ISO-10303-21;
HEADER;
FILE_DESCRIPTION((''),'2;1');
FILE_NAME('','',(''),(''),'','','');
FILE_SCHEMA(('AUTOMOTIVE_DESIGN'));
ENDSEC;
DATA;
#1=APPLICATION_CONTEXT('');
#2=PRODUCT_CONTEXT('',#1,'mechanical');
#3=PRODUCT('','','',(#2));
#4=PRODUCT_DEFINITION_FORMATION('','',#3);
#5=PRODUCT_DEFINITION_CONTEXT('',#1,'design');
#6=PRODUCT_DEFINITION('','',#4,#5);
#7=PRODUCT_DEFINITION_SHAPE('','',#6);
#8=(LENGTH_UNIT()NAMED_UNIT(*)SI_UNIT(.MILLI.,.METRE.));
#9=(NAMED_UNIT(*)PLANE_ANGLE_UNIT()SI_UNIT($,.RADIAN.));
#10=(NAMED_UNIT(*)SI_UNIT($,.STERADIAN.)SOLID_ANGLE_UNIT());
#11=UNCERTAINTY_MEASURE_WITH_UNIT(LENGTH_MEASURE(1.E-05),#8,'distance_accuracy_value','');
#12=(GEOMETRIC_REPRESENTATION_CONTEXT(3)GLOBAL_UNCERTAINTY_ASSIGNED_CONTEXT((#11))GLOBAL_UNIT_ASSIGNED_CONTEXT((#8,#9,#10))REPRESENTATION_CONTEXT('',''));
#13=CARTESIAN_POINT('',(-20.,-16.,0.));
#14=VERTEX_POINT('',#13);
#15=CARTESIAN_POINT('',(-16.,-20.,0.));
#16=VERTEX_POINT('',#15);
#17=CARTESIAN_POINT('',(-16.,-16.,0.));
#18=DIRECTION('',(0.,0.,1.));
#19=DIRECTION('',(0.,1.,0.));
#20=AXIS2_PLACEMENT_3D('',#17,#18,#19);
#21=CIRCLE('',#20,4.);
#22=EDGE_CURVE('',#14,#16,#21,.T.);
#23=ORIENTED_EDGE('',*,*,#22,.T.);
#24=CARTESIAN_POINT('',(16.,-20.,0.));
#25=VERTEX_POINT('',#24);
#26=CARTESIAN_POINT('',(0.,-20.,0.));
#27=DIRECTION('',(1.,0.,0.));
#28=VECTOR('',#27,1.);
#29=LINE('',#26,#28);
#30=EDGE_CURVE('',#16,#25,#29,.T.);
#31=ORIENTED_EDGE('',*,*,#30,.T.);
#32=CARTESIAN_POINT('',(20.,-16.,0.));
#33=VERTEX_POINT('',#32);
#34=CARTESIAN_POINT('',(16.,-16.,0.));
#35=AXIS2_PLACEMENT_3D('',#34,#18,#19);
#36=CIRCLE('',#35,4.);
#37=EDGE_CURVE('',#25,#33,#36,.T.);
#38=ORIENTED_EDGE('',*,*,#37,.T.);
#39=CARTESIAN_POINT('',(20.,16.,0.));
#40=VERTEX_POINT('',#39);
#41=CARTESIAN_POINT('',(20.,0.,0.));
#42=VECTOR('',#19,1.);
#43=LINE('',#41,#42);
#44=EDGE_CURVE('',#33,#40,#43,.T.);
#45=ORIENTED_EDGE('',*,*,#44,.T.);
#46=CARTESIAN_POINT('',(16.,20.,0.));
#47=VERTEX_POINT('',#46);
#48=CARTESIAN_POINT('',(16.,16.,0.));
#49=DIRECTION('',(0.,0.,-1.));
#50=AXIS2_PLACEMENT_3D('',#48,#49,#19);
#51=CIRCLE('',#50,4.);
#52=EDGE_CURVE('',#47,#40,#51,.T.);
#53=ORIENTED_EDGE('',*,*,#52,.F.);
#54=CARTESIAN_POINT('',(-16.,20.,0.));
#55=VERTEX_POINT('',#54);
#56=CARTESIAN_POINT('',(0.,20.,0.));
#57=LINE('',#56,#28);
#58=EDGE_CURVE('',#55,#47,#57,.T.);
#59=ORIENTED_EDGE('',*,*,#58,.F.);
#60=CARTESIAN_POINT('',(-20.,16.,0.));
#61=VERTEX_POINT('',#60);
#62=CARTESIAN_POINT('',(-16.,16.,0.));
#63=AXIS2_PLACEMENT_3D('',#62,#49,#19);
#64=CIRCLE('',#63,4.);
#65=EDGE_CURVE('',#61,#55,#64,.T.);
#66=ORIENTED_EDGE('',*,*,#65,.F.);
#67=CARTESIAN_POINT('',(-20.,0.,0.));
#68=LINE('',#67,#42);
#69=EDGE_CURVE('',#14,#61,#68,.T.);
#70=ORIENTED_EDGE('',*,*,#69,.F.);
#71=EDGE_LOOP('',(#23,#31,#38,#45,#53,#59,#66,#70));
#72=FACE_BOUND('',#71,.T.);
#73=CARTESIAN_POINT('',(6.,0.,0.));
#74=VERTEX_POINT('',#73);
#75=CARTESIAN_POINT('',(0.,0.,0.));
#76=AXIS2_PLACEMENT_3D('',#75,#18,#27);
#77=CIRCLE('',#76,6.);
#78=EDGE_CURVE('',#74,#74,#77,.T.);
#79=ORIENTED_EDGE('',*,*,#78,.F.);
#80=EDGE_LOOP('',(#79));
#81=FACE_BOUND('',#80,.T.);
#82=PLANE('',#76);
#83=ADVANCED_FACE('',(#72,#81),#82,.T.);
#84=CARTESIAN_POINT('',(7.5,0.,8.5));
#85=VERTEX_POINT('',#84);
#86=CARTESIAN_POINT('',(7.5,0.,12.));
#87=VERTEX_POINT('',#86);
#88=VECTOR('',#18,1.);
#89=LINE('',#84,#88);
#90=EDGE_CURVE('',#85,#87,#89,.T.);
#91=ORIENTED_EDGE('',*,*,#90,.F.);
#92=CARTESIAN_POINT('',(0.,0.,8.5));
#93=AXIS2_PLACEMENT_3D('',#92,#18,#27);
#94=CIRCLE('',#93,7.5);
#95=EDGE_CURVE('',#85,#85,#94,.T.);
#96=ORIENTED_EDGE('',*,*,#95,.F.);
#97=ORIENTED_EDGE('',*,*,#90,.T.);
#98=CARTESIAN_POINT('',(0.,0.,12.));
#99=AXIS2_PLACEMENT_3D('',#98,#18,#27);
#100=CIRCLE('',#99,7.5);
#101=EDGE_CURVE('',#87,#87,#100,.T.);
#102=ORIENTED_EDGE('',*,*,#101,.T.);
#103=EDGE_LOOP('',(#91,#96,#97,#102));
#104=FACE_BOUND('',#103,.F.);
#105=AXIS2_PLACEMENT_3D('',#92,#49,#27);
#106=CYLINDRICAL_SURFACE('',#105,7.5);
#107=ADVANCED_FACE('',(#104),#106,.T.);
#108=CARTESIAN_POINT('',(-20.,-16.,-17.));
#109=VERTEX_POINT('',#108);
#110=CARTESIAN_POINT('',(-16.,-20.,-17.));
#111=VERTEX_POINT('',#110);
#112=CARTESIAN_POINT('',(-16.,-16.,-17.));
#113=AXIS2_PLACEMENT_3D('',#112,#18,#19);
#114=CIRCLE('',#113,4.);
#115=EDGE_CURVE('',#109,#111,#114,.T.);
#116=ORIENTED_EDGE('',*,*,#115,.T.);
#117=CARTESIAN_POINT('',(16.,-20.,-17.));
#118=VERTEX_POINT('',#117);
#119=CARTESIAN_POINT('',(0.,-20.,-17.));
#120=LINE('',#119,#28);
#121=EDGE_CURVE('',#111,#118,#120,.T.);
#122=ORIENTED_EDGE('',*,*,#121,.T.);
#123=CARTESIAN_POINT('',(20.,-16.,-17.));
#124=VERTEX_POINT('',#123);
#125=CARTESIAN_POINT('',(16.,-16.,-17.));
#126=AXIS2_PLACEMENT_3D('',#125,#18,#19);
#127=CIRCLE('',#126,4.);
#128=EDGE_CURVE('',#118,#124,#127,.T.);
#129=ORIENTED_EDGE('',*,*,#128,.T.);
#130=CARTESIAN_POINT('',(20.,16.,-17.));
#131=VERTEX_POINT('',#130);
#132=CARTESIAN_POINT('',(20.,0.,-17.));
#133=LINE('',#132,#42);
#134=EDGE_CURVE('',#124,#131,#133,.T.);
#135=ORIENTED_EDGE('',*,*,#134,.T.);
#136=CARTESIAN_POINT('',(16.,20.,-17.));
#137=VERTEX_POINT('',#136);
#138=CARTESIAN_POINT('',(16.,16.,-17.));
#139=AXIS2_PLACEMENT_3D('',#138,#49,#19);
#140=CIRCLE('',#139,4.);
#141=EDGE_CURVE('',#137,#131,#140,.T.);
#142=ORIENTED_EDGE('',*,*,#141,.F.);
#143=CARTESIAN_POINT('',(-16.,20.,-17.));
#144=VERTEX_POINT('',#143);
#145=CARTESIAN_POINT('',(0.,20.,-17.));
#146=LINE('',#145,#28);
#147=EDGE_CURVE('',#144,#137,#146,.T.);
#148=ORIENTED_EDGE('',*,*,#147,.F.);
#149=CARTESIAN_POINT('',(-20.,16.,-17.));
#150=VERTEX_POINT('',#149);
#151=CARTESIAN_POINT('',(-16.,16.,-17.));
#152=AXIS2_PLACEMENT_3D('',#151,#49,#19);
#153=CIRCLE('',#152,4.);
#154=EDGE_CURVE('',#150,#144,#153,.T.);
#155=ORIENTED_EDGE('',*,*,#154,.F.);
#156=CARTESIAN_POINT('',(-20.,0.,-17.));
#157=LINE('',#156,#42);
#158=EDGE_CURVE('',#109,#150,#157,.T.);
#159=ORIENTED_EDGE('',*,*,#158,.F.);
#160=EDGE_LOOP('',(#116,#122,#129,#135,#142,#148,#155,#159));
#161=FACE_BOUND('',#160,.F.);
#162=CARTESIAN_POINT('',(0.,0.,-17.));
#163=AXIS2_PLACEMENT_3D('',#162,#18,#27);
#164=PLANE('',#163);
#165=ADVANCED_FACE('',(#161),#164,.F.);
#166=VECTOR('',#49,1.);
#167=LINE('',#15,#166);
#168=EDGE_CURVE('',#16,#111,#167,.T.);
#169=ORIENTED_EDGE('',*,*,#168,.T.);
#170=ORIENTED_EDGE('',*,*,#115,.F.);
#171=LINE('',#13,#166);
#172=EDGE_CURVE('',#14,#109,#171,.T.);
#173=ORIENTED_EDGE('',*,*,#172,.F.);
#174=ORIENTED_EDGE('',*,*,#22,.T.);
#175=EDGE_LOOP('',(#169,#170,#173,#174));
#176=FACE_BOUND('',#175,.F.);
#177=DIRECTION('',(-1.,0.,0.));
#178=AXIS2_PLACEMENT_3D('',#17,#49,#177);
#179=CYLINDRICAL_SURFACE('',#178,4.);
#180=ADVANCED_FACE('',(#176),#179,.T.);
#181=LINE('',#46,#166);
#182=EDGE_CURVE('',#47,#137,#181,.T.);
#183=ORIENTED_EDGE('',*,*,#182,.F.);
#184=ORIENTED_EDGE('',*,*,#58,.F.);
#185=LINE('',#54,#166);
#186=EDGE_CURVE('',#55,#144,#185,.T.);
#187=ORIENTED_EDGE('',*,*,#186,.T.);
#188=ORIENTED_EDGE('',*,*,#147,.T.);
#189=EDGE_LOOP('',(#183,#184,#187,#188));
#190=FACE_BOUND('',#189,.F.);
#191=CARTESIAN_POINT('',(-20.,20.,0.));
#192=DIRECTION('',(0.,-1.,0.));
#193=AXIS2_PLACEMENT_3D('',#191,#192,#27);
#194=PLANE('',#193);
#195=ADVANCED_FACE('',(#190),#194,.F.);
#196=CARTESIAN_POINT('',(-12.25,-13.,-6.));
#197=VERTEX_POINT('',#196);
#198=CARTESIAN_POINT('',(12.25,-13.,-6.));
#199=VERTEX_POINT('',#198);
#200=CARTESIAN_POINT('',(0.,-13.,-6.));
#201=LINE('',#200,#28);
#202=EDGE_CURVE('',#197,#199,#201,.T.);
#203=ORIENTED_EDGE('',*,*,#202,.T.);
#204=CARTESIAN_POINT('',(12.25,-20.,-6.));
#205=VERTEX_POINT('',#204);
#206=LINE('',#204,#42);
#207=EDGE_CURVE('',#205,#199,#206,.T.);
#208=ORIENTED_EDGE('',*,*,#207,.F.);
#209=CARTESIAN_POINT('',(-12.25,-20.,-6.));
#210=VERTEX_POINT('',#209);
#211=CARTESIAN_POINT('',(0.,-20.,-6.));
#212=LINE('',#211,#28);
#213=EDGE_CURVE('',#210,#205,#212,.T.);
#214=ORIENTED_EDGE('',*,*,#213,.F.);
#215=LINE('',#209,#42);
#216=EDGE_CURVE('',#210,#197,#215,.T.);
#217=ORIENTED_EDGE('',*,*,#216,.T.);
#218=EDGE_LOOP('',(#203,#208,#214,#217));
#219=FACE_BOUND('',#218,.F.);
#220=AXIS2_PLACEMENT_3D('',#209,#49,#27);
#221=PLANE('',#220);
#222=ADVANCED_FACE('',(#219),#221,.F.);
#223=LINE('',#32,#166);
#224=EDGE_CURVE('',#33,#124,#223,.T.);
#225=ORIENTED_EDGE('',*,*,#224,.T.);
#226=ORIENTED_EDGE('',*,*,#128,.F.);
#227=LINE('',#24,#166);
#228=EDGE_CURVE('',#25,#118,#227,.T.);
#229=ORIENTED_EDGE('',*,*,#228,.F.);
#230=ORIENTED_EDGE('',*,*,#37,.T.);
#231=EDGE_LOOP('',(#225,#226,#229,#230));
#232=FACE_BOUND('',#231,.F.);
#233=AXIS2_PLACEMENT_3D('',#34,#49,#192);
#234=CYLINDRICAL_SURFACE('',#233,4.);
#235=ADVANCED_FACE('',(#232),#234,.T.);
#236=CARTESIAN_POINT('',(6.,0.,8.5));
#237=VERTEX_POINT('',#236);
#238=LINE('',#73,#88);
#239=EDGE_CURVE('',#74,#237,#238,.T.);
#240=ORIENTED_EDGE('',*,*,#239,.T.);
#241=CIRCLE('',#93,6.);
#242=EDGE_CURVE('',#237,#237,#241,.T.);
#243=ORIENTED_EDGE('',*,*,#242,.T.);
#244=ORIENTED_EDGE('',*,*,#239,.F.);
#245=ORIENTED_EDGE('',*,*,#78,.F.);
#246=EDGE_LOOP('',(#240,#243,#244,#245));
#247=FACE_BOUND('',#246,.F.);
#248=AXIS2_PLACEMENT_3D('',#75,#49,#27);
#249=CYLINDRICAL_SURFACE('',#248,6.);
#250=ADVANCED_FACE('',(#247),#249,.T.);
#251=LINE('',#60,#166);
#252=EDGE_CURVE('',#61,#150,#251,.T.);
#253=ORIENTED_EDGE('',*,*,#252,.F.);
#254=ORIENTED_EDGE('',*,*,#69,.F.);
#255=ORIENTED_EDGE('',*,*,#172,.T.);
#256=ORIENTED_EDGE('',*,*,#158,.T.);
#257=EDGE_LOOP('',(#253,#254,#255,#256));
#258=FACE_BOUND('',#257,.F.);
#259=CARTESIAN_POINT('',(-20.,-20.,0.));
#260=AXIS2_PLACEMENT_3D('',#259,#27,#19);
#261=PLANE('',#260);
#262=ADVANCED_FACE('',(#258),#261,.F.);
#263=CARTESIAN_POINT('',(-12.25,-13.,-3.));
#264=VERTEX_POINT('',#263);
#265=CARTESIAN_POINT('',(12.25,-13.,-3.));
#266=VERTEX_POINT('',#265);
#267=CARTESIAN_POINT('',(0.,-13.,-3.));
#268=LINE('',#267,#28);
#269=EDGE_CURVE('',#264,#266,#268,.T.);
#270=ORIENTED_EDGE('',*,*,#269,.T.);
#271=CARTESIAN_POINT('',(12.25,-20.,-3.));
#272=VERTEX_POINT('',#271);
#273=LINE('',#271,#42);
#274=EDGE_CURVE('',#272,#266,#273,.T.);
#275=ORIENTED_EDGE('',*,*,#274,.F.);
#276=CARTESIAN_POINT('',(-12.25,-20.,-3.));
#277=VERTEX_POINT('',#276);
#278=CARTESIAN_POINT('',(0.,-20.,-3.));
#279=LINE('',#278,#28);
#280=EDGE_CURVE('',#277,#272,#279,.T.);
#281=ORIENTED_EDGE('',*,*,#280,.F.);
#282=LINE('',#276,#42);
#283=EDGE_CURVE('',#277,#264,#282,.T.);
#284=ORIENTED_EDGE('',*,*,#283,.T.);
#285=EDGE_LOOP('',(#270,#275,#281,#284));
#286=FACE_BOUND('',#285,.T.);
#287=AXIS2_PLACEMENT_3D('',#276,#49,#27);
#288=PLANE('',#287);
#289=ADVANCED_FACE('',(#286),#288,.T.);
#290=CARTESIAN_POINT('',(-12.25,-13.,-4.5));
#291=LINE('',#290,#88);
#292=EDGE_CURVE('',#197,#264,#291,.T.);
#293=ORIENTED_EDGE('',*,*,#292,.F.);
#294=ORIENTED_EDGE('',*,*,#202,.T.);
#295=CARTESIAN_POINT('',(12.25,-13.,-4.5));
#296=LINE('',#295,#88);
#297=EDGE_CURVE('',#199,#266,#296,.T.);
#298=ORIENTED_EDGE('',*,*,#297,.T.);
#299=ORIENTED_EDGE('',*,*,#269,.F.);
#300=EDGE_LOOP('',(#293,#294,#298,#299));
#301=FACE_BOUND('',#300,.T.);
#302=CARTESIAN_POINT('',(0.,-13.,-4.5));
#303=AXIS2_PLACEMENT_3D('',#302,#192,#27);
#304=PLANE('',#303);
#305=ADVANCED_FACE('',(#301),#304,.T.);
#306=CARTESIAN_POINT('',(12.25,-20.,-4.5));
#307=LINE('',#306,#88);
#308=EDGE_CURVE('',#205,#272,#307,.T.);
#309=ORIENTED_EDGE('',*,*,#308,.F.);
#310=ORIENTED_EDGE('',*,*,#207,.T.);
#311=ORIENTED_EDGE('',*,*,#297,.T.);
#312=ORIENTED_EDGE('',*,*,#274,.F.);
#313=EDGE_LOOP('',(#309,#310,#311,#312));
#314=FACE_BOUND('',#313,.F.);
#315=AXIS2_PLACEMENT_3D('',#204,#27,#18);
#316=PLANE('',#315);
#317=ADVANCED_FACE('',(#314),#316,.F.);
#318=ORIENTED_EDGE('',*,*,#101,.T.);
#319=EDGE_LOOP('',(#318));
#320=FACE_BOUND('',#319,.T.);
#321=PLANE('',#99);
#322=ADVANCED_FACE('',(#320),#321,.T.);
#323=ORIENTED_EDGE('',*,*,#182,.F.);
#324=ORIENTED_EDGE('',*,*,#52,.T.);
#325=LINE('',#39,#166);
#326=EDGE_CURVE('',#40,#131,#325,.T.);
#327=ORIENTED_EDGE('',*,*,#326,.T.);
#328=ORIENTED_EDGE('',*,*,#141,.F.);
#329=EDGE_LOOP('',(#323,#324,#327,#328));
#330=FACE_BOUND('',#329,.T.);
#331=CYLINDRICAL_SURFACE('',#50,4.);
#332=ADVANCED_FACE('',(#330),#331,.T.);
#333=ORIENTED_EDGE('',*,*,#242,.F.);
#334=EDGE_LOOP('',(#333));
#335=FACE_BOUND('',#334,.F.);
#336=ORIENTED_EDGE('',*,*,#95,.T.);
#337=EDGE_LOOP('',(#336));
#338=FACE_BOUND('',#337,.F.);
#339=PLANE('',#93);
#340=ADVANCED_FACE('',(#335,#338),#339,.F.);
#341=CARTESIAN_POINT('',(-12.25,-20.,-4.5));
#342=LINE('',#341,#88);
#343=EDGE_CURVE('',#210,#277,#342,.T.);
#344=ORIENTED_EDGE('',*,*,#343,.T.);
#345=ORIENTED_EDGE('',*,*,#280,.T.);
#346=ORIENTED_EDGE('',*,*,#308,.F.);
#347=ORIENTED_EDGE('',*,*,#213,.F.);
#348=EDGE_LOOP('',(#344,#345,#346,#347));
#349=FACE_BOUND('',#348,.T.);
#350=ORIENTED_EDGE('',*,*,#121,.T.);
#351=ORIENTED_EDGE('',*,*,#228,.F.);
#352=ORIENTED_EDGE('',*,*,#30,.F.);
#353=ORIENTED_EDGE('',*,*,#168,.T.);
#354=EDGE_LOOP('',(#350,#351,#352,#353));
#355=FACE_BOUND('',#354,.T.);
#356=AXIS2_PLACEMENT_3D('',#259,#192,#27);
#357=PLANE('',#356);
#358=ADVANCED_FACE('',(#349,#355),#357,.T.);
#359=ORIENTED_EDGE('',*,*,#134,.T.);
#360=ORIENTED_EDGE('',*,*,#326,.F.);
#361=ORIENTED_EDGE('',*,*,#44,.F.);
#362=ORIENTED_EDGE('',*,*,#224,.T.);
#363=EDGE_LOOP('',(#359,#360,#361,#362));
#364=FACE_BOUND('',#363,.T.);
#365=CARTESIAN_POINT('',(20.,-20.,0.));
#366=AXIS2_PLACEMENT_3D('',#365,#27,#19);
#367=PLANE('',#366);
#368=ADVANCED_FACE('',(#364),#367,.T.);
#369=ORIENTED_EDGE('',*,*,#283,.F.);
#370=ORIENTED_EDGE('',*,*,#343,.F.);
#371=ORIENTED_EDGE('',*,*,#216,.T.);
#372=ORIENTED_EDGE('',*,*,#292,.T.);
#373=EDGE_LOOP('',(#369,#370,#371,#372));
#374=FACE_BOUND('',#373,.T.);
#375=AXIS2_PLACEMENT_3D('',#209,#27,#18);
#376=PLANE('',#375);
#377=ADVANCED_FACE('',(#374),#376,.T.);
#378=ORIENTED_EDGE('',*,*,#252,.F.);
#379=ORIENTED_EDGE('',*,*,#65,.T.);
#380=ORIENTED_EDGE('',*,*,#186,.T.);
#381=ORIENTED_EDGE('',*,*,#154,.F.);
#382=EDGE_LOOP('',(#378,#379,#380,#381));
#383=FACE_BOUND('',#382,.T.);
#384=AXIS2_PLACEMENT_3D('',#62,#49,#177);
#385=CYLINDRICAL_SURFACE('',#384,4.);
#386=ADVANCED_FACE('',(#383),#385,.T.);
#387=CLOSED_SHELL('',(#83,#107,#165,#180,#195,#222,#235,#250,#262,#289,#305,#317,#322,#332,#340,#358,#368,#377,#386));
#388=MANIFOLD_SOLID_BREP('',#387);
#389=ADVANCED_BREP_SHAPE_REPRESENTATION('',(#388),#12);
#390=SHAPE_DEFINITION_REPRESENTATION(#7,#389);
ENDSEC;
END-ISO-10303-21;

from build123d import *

# Parameters (mm, degrees)
F0_W     = 40
F0_H     = 40
F1_DEPTH = 17
F2_R     = 6
F3_DEPTH = 8.5
F4_R     = 7.5
F5_DEPTH = 3.5
F6_R     = 4
F7_W     = 24.5
F7_H     = 3
F8_DEPTH = 7


with BuildPart() as f1:
    # F0 (on Top) → F1 (new body)
    with BuildSketch(Plane.XY):
        Rectangle(F0_W, F0_H)
    extrude(amount=-F1_DEPTH)

    # F2 (on face) → F3 (join)
    with BuildSketch(Plane.XY):
        Circle(F2_R)
    extrude(amount=F3_DEPTH)

    # F4 (on face) → F5 (join)
    with BuildSketch(Plane.XY.offset(8.5)):
        Circle(F4_R)
    extrude(amount=F5_DEPTH)

    # F6
    f6_edges = [f1.edges().sort_by_distance(p)[0] for p in [
        (20, -20, -8.5),
        (20, 20, -8.5),
        (-20, 20, -8.5),
        (-20, -20, -8.5),
    ]]
    fillet(f6_edges, radius=F6_R)

    # F7 (on face) → F8 (cut)
    with BuildSketch(Plane.XZ.offset(20)):
        with Locations((0, -4.5)):
            Rectangle(F7_W, F7_H)
    extrude(amount=-F8_DEPTH, mode=Mode.SUBTRACT)


solid = f1.part
